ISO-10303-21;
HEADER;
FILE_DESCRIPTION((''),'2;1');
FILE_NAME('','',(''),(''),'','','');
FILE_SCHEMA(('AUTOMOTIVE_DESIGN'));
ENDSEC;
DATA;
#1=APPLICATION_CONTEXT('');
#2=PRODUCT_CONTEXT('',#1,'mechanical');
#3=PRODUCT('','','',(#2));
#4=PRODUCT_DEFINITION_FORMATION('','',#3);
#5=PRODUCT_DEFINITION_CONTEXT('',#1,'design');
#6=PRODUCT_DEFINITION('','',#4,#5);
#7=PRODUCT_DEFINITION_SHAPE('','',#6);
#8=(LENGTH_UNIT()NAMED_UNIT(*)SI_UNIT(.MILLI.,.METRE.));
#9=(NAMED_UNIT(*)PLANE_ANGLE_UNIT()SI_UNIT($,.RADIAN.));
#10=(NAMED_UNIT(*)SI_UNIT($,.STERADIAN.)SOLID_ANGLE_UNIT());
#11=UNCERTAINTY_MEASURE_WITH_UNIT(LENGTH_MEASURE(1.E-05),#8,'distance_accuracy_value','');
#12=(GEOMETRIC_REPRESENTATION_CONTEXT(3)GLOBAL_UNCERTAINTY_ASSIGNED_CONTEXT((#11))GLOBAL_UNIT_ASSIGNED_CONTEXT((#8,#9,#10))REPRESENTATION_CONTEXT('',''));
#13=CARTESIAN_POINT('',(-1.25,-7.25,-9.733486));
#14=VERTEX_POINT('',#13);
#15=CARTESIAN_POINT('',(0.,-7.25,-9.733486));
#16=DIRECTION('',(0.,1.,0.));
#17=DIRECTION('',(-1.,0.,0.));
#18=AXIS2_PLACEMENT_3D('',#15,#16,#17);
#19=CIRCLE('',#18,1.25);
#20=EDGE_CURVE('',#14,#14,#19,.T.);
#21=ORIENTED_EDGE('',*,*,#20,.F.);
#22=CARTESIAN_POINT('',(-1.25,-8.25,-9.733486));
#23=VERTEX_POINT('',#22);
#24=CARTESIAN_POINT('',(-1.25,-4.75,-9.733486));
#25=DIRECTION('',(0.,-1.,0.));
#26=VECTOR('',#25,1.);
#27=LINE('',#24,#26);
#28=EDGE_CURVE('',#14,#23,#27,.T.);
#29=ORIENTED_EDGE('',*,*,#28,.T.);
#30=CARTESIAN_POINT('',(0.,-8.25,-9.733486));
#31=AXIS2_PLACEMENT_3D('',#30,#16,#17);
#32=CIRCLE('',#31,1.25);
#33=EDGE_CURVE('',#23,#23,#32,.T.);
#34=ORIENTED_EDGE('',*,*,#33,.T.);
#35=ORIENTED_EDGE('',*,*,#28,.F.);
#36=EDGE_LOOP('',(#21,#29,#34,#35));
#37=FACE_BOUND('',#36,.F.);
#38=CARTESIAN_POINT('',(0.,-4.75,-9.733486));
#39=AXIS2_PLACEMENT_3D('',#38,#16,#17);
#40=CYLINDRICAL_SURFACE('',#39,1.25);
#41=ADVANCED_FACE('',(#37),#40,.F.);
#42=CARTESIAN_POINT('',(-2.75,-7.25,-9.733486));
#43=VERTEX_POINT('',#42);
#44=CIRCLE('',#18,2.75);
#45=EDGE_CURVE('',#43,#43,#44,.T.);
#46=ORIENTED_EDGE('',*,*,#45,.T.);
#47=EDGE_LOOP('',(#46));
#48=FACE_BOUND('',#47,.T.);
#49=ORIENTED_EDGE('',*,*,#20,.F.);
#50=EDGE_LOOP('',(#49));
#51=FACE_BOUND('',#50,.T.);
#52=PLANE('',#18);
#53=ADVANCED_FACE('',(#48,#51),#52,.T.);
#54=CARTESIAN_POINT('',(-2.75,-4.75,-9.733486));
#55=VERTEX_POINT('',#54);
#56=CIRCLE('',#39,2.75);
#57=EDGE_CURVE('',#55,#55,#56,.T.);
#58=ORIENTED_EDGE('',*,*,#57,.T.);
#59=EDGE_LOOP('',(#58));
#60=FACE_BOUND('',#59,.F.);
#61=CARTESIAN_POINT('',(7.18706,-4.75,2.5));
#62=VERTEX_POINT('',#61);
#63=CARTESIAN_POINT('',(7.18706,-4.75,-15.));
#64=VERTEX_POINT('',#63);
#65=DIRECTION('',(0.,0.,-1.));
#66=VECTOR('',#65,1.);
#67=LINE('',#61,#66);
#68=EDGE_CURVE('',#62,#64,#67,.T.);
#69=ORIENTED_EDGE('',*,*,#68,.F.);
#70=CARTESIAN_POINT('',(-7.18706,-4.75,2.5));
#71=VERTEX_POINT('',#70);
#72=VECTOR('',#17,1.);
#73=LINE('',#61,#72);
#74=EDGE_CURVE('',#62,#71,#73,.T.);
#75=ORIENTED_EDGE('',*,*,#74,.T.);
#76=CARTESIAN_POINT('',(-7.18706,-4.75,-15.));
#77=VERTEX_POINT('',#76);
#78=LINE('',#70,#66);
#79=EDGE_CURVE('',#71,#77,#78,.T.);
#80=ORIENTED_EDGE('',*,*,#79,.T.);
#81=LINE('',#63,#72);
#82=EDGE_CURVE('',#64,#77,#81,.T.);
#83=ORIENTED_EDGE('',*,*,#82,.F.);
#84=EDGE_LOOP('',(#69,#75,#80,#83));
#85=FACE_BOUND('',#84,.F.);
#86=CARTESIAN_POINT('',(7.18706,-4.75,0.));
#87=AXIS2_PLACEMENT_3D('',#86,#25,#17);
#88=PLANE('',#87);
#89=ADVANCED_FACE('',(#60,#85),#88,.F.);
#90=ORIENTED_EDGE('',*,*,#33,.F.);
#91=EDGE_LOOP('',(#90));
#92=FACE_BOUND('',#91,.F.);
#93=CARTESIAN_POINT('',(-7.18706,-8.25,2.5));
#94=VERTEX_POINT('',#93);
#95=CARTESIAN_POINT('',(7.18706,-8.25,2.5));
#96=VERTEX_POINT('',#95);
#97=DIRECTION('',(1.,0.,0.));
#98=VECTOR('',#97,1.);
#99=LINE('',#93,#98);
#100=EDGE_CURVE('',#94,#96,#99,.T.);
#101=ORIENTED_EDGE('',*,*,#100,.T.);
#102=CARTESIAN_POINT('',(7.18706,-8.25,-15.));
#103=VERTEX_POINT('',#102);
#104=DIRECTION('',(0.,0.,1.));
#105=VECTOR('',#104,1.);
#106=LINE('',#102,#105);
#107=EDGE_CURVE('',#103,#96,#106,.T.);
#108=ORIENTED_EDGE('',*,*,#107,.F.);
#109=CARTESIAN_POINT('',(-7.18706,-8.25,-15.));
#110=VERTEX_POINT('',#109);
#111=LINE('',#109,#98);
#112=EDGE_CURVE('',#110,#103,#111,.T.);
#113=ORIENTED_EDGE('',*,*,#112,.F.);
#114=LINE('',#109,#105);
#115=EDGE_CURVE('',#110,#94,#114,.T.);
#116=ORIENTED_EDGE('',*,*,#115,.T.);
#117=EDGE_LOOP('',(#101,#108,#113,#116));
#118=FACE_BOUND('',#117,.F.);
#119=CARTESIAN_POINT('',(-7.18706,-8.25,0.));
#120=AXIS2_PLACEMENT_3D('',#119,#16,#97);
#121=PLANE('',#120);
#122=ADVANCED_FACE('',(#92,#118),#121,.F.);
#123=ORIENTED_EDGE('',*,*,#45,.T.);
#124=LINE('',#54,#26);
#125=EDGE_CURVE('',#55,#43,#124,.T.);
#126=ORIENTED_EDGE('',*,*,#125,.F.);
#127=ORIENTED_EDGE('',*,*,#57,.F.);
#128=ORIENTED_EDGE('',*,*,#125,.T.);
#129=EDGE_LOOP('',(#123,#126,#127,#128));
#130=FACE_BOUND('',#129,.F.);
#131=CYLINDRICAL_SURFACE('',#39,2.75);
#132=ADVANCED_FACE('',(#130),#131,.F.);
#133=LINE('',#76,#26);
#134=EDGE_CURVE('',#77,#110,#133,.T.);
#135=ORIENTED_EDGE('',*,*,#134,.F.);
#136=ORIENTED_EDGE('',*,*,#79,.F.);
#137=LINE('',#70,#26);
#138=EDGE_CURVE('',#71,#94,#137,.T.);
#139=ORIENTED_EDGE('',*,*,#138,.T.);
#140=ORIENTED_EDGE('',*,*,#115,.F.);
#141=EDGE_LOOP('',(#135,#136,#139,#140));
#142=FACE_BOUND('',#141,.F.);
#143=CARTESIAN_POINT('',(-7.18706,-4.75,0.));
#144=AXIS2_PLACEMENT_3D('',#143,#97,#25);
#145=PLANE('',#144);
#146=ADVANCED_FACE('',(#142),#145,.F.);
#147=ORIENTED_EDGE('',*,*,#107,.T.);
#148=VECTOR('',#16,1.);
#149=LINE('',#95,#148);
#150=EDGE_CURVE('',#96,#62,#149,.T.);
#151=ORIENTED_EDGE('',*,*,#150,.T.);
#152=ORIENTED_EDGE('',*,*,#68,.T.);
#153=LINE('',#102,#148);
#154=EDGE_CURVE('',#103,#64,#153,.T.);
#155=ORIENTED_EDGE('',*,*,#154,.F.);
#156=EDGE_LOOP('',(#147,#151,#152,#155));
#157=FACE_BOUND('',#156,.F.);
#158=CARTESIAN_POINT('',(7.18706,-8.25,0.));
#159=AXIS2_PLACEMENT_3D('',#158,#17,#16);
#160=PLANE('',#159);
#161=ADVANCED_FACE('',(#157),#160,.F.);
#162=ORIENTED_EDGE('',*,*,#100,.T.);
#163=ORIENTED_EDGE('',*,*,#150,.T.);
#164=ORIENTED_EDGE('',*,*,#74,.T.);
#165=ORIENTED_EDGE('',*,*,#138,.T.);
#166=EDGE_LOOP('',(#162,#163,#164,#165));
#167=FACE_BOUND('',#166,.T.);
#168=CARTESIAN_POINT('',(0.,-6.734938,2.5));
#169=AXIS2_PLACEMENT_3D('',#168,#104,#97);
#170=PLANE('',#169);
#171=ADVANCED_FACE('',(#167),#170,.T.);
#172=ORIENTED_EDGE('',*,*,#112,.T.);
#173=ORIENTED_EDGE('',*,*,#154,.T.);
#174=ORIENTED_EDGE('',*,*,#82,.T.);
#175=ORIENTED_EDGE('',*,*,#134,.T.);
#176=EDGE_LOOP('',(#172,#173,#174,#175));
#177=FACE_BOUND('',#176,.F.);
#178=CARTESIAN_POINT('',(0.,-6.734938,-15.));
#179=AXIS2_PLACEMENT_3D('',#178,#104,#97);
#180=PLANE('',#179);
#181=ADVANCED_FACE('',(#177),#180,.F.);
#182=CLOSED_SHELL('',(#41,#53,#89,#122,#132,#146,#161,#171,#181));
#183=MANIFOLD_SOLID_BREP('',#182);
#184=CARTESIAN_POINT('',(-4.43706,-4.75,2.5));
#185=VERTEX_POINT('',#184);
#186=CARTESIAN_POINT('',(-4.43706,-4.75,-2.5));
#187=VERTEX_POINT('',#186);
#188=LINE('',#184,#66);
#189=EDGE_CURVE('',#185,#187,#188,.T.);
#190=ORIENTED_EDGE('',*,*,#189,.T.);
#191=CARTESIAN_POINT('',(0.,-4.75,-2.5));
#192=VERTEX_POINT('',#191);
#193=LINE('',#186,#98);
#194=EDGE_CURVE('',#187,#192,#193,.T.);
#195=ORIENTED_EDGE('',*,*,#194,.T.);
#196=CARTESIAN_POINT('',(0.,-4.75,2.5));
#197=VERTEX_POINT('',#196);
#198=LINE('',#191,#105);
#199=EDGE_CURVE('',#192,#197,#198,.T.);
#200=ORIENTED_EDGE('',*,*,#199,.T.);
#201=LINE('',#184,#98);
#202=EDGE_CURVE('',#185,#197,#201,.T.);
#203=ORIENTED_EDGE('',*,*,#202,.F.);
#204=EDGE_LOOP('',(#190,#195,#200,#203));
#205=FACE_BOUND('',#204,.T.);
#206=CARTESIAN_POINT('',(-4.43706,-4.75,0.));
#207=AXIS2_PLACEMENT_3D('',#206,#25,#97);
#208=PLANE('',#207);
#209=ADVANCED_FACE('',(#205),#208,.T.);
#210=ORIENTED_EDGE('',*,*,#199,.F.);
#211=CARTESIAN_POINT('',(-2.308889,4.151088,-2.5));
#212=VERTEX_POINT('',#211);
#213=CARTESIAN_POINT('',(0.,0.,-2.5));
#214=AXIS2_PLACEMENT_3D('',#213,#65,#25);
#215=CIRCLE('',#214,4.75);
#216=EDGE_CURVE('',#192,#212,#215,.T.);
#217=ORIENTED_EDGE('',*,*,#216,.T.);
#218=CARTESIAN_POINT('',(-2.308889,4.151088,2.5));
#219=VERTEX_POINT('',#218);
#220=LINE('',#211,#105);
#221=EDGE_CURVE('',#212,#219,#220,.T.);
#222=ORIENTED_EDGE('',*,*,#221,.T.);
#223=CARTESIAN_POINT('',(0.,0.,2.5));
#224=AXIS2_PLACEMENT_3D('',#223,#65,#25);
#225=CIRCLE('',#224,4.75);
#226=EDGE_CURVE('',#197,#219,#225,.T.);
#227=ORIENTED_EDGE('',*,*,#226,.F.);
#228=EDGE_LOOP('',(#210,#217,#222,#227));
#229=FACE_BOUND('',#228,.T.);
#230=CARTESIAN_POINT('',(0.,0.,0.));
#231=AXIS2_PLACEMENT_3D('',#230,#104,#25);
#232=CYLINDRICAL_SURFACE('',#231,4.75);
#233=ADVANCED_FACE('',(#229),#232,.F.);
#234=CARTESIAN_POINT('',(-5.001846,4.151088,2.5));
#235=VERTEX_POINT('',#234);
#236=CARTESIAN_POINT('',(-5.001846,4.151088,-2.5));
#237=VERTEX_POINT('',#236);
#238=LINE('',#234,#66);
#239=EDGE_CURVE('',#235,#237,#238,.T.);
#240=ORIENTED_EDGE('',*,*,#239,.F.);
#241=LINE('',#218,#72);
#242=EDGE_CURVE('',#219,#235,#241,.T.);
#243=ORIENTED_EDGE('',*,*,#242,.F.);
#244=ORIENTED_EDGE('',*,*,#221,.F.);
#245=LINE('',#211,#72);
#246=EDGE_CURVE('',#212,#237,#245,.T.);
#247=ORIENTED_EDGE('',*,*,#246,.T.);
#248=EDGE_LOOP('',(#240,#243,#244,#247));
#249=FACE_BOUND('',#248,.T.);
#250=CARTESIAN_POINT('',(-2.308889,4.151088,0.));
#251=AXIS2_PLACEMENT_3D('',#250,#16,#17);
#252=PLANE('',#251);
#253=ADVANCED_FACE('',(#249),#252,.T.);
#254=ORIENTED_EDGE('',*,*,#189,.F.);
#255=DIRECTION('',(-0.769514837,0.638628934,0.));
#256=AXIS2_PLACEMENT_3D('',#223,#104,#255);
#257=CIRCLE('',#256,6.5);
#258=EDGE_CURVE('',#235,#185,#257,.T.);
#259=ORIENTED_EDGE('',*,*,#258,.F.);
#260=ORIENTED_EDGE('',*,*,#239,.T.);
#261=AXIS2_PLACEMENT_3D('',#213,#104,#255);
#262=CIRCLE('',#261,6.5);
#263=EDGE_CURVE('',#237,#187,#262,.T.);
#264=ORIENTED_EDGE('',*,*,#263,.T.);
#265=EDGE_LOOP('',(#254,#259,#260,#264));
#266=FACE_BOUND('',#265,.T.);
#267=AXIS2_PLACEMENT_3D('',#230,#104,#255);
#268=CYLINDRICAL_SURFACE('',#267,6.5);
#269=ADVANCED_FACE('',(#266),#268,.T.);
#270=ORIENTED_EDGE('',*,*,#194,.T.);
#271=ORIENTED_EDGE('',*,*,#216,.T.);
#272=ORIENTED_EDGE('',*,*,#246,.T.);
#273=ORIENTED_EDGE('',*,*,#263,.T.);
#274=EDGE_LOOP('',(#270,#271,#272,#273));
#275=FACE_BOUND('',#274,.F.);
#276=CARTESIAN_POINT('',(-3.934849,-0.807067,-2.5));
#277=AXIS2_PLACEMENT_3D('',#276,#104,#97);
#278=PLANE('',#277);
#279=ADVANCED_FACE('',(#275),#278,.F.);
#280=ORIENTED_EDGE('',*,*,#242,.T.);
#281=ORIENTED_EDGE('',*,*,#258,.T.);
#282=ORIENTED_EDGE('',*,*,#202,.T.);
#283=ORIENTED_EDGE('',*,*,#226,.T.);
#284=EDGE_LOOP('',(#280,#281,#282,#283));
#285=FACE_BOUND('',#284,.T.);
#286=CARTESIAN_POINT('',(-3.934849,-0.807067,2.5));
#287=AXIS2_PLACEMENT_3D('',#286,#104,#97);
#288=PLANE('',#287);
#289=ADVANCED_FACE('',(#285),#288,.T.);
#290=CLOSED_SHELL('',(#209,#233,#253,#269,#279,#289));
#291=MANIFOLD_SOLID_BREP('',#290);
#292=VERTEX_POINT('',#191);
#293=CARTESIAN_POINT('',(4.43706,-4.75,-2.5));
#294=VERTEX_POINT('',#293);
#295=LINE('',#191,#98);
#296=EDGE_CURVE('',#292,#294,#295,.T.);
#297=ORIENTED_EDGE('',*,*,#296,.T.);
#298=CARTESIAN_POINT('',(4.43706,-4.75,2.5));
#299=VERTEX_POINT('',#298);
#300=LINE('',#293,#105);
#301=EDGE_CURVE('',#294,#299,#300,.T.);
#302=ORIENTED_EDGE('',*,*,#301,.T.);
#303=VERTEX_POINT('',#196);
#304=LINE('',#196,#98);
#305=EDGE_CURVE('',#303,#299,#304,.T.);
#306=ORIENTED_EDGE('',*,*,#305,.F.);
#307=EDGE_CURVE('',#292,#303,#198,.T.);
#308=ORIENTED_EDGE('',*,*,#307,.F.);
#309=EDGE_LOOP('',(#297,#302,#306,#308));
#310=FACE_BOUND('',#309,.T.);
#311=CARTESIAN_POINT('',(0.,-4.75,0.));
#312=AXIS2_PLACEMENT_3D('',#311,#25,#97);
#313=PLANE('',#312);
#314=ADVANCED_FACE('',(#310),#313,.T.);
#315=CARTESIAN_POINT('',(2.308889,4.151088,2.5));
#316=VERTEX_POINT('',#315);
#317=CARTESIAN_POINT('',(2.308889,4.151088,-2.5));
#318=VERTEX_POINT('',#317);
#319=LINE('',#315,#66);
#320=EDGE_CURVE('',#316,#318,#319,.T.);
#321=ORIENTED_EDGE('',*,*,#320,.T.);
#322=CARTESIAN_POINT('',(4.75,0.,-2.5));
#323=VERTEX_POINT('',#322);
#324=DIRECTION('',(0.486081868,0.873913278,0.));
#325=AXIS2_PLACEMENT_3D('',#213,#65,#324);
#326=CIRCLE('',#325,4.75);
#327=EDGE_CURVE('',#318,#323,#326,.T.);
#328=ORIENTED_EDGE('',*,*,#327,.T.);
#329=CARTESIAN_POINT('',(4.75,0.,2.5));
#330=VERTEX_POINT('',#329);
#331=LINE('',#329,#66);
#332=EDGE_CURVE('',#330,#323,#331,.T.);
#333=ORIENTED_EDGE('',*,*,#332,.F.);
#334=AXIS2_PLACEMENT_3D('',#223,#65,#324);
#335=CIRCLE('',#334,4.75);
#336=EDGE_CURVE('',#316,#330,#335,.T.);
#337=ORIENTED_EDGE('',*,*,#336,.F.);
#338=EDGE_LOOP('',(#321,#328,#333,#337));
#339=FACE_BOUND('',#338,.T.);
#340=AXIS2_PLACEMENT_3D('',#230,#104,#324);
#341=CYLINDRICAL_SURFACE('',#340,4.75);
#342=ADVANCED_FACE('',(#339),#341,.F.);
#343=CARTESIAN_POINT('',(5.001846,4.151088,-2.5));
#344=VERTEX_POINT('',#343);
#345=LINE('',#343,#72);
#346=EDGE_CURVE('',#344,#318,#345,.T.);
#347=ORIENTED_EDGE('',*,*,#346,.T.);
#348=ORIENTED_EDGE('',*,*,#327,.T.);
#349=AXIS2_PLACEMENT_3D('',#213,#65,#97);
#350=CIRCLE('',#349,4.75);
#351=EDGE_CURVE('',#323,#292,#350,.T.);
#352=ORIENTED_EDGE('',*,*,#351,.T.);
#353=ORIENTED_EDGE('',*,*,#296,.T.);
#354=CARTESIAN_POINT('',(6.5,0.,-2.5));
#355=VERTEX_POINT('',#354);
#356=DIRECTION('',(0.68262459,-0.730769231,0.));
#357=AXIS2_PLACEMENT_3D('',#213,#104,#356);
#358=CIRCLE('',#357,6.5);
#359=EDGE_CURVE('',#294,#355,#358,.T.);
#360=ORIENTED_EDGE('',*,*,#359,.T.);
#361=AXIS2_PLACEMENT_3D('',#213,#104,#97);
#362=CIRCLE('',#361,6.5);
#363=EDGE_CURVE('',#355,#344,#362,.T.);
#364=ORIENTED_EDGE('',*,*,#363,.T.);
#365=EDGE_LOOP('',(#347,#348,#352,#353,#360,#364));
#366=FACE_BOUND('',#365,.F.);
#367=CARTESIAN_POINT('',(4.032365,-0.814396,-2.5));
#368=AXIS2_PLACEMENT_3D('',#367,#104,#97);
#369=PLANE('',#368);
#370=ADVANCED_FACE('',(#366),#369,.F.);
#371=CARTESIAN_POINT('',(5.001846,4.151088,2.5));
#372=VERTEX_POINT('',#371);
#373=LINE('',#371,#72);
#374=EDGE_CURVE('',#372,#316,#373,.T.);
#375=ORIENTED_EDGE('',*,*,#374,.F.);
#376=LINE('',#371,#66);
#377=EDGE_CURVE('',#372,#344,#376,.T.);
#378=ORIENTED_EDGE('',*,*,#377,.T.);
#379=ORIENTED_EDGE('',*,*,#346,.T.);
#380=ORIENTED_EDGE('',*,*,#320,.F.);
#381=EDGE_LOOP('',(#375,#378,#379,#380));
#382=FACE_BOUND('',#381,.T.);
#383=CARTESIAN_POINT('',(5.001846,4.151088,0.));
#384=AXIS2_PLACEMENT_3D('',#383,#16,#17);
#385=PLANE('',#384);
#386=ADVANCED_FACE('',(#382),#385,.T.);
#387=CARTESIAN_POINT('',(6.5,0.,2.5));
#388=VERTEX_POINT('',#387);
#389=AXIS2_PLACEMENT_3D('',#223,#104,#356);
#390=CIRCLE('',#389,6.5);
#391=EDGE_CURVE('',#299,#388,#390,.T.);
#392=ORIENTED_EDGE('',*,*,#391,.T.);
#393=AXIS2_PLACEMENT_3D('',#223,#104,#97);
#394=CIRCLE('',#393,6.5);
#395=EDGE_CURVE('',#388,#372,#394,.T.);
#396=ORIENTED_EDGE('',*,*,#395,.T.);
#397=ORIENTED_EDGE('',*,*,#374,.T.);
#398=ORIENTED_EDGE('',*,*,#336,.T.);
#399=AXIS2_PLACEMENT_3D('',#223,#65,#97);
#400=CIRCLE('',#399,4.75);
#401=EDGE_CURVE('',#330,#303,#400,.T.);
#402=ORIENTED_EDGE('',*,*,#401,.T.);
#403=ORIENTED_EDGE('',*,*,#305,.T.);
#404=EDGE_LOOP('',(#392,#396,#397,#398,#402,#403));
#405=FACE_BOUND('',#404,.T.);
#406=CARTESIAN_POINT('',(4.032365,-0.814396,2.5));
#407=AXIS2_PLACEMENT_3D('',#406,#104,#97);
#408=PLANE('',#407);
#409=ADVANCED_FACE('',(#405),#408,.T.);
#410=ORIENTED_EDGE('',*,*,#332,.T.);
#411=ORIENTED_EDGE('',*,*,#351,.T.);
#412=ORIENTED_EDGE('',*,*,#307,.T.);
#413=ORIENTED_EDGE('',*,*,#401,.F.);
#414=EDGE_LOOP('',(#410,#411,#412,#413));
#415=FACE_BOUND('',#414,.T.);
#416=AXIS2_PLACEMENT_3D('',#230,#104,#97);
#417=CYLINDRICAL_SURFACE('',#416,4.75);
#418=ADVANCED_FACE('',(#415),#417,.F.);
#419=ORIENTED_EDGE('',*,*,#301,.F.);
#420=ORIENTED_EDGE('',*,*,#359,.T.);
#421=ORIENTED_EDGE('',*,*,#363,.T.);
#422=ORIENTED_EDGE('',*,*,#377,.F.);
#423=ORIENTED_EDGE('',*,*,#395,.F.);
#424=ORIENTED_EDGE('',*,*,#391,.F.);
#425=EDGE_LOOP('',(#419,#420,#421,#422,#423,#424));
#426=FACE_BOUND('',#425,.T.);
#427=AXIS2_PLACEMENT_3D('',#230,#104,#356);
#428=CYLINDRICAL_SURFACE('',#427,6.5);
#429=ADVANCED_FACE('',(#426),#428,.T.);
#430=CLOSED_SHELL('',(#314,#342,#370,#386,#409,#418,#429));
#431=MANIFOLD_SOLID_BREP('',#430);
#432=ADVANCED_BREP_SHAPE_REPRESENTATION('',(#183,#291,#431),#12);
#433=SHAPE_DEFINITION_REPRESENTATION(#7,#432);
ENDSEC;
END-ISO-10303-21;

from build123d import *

# Parameters (mm, degrees)
F1_DEPTH      = 2.5
F2_DEPTH      = 15
F2_DEPTH_BACK = 2.5
F3_R          = 1.25
F4_DEPTH      = 25
F3_R_2        = 2.75
F5_DEPTH      = 2.5


with BuildPart() as f1:
    # F0 (on Top) → F1 (new body, symmetric)
    with BuildSketch(Plane.XY):
        with BuildLine():
            Line((-4.4370598373, -4.75), (0, -4.75))
            ThreePointArc((0, -4.75), (-4.5978347264, -1.1926507572), (-2.3088888707, 4.1510880721))
            Line((-2.3088888707, 4.1510880721), (-5.0018464408, 4.1510880721))
            ThreePointArc((-5.0018464408, 4.1510880721), (-6.4869546128, -0.4116064276), (-4.4370598373, -4.75))
        make_face()
    extrude(amount=F1_DEPTH, both=True)


with BuildPart() as f1b:
    # F0 (on Top) → F1, piece 2 (new body, symmetric)
    with BuildSketch(Plane.XY):
        with BuildLine():
            ThreePointArc((4.75, 0), (3.3587572106, -3.3587572106), (0, -4.75))
            Line((0, -4.75), (4.4370598373, -4.75))
            ThreePointArc((4.4370598373, -4.75), (5.9620000395, -2.5893156487), (6.5, 0))
            ThreePointArc((6.5, 0), (6.1140004034, 2.2065808545), (5.0018464408, 4.1510880721))
            Line((5.0018464408, 4.1510880721), (2.3088888707, 4.1510880721))
            ThreePointArc((2.3088888707, 4.1510880721), (4.0944915518, 2.4078286758), (4.75, 0))
        make_face()
    extrude(amount=F1_DEPTH, both=True)


with BuildPart() as f2:
    # F0 (on Top) → F2 (new body, two sides)
    with BuildSketch(Plane.XY) as f2_sk:
        with BuildLine():
            ThreePointArc((4.4370598373, -4.75), (0, -6.5), (-4.4370598373, -4.75))
            Line((-4.4370598373, -4.75), (-7.1870598373, -4.75))
            Line((-7.1870598373, -4.75), (-7.1870598373, -8.25))
            Line((-7.1870598373, -8.25), (7.1870598373, -8.25))
            Line((7.1870598373, -8.25), (7.1870598373, -4.75))
            Line((7.1870598373, -4.75), (4.4370598373, -4.75))
        make_face()
        with BuildLine():
            Line((4.4370598373, -4.75), (0, -4.75))
            Line((0, -4.75), (-4.4370598373, -4.75))
            ThreePointArc((-4.4370598373, -4.75), (0, -6.5), (4.4370598373, -4.75))
        make_face()
    extrude(amount=-F2_DEPTH)
    extrude(f2_sk.sketch, amount=F2_DEPTH_BACK)

    # F3 (on face) → F4 (cut)
    with BuildSketch(Plane(origin=(0, -4.75, 0), x_dir=(-1, 0, 0), z_dir=(0, 1, 0))):
        with Locations((0, -9.7334859893)):
            Circle(F3_R)
    extrude(amount=-F4_DEPTH, mode=Mode.SUBTRACT)

    # F3 (on face) → F5 (cut)
    with BuildSketch(Plane(origin=(0, -4.75, 0), x_dir=(-1, 0, 0), z_dir=(0, 1, 0))):
        with Locations((0, -9.7334859893)):
            Circle(F3_R_2)
        with Locations((0, -9.7334859893)):
            Circle(F3_R, mode=Mode.SUBTRACT)
    extrude(amount=-F5_DEPTH, mode=Mode.SUBTRACT)


solid = Compound([f1.part, f1b.part, f2.part])
